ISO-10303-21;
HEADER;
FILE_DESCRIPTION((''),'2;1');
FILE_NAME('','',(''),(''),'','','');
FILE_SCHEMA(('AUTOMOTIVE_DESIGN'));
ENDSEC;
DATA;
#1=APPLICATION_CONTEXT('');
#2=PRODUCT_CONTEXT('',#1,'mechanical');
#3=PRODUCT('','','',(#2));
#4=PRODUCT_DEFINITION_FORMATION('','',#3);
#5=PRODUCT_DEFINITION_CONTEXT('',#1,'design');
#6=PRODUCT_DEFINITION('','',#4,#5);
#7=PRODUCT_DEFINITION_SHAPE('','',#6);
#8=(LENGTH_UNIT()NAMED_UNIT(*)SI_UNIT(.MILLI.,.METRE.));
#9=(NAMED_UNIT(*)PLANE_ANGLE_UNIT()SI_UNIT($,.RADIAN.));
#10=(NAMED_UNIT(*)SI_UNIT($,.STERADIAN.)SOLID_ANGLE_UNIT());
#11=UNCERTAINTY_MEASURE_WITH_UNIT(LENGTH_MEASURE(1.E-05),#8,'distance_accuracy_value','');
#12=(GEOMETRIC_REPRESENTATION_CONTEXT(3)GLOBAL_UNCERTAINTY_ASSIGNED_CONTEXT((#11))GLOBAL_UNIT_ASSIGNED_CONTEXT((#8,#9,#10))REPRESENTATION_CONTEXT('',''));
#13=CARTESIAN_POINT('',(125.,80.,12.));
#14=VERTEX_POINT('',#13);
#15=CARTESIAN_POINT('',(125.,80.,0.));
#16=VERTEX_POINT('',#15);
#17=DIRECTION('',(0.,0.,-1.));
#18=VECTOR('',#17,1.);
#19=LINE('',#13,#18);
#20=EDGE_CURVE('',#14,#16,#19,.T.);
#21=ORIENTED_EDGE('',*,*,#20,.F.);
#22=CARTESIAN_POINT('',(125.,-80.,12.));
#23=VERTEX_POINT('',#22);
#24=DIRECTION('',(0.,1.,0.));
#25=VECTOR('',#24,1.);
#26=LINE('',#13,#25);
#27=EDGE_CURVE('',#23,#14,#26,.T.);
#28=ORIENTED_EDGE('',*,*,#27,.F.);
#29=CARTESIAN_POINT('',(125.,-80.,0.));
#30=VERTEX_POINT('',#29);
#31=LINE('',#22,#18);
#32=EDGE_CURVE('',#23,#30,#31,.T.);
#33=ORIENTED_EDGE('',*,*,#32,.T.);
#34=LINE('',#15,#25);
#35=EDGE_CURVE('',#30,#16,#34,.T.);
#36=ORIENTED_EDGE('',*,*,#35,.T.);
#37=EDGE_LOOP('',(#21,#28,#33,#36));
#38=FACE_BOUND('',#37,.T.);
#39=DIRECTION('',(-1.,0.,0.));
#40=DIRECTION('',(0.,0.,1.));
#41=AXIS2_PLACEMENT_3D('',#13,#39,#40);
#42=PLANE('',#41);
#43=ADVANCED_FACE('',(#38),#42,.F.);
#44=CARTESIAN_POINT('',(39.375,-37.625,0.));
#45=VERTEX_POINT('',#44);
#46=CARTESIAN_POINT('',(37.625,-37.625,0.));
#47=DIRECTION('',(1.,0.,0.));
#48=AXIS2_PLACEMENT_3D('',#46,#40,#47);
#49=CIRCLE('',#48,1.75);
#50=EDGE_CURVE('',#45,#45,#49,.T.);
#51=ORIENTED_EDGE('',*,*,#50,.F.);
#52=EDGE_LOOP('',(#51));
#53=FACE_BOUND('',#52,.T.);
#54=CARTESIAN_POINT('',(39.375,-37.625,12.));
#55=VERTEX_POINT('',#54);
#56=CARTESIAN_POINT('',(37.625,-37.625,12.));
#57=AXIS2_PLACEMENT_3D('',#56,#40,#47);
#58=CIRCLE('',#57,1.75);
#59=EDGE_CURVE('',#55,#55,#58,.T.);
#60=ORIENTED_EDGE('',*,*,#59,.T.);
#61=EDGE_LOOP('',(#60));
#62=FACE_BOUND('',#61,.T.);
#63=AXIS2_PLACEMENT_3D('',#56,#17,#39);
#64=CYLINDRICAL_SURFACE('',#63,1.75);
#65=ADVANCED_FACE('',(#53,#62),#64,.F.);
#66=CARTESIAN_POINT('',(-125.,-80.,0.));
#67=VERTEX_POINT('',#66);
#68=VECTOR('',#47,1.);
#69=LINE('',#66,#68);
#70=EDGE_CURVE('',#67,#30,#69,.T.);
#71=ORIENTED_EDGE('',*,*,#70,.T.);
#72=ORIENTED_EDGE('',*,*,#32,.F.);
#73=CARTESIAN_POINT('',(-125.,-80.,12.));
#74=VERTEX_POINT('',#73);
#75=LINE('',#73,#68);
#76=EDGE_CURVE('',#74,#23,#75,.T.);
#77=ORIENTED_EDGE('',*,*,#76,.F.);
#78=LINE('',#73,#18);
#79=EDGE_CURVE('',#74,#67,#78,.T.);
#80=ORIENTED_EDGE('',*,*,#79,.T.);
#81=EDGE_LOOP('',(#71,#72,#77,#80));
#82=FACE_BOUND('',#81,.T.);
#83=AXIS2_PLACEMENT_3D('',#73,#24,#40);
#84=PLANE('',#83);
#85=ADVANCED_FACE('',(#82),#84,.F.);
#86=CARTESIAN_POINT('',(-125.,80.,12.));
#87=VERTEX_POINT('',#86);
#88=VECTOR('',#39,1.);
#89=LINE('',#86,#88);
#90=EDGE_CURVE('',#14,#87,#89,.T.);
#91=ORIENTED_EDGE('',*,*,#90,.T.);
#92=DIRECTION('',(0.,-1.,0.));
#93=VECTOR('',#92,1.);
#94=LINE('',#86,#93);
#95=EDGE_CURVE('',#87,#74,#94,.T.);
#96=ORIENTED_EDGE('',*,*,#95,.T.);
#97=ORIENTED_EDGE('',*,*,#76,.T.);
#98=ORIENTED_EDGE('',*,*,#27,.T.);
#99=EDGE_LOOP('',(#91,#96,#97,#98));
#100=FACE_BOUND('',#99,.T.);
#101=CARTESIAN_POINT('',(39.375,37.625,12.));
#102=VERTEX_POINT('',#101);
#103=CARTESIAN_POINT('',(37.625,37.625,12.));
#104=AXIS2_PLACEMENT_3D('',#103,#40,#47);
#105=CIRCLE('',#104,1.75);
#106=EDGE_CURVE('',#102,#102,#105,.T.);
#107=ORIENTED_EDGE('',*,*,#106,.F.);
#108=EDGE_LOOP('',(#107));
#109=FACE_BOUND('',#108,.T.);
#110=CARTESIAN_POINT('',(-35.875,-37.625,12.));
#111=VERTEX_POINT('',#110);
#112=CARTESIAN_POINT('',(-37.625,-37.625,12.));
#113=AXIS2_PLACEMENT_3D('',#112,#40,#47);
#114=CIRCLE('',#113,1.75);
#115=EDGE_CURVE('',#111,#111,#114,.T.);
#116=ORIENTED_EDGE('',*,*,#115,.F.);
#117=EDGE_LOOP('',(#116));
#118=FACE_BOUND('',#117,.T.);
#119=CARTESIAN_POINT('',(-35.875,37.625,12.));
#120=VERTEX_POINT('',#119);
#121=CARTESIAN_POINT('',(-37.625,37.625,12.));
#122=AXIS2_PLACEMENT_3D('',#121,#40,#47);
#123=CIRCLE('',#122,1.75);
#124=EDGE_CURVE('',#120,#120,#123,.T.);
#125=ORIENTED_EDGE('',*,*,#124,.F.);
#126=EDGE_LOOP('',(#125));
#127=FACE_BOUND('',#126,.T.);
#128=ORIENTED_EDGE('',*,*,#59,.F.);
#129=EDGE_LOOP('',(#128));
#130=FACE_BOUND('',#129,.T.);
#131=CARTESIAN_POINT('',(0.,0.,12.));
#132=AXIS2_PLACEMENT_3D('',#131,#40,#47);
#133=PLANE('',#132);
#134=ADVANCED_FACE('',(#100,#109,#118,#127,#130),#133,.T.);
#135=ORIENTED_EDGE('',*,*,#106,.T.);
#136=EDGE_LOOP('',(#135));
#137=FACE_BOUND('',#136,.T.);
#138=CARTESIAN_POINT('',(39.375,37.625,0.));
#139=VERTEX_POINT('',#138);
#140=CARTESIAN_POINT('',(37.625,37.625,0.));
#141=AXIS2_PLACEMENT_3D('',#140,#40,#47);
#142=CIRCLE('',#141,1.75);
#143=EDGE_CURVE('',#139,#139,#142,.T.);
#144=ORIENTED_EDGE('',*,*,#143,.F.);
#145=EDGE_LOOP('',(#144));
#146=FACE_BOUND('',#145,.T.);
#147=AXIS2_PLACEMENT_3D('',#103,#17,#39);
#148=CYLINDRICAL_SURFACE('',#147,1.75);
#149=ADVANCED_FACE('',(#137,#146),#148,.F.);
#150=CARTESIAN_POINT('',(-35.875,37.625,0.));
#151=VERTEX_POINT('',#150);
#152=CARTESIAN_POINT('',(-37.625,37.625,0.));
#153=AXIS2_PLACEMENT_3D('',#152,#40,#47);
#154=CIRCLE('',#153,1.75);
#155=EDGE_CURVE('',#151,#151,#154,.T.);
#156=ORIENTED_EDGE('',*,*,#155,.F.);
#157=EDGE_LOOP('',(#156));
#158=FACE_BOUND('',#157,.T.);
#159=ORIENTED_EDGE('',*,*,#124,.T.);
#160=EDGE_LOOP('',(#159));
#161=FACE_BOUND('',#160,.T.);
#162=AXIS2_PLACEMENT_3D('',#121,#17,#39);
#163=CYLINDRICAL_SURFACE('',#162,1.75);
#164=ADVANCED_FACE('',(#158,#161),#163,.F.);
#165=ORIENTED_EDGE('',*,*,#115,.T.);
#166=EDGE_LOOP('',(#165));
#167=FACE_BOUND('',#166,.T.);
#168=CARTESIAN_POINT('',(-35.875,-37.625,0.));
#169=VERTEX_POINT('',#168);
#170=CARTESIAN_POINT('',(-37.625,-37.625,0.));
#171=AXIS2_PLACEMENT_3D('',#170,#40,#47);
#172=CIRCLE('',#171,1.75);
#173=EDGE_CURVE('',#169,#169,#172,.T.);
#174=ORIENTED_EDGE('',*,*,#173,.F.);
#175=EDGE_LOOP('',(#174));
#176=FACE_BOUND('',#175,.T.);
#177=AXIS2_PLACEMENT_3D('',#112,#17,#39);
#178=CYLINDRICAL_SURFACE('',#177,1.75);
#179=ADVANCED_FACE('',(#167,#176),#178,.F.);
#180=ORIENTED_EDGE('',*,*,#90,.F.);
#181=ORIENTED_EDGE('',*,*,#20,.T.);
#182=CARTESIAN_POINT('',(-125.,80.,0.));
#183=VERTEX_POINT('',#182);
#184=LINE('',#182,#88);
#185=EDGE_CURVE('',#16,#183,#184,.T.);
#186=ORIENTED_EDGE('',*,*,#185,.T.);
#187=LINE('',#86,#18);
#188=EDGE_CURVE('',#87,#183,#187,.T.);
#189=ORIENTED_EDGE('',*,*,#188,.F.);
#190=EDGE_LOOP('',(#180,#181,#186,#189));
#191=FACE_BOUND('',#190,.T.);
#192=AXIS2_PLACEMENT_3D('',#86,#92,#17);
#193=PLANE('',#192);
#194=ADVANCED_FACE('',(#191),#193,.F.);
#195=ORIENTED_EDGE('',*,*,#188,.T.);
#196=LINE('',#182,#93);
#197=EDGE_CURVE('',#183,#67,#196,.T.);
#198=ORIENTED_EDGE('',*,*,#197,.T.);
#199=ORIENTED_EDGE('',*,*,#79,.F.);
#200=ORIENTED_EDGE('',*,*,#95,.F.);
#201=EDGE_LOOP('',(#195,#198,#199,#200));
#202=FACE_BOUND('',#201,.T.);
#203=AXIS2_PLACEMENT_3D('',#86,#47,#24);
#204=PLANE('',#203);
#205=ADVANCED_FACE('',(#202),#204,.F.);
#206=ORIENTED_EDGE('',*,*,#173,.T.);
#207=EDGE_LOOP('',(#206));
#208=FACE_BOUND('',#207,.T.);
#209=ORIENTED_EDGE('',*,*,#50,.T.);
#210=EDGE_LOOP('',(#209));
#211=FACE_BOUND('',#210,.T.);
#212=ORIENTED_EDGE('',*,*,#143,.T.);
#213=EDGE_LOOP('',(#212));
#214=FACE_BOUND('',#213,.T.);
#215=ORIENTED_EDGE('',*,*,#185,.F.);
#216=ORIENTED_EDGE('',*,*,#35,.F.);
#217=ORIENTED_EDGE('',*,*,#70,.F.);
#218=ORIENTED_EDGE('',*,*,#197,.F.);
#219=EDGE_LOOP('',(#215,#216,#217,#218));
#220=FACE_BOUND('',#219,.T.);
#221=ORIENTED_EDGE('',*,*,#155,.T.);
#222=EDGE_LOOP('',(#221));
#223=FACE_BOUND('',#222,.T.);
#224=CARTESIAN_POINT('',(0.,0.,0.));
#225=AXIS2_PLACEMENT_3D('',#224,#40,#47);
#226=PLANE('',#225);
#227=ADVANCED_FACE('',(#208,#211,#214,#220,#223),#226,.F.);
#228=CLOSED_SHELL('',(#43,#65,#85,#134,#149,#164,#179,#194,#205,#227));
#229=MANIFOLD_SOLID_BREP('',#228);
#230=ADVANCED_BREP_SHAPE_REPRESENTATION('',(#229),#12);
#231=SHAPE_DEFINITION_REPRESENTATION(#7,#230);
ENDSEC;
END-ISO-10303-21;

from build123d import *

# Parameters (mm, degrees)
SKETCH_1_W      = 250
SKETCH_1_H      = 160
SKETCH_1_R      = 1.75
EXTRUDE_1_DEPTH = 12


with BuildPart() as part:
    # 草图1 → 凸台-拉伸1 (new body)
    with BuildSketch(Plane.XY):
        Rectangle(SKETCH_1_W, SKETCH_1_H)
        with Locations((37.625, 37.625)):
            Circle(SKETCH_1_R, mode=Mode.SUBTRACT)
        with Locations((37.625, -37.625)):
            Circle(SKETCH_1_R, mode=Mode.SUBTRACT)
        with Locations((-37.625, -37.625)):
            Circle(SKETCH_1_R, mode=Mode.SUBTRACT)
        with Locations((-37.625, 37.625)):
            Circle(SKETCH_1_R, mode=Mode.SUBTRACT)
    extrude(amount=EXTRUDE_1_DEPTH)


solid = part.part
